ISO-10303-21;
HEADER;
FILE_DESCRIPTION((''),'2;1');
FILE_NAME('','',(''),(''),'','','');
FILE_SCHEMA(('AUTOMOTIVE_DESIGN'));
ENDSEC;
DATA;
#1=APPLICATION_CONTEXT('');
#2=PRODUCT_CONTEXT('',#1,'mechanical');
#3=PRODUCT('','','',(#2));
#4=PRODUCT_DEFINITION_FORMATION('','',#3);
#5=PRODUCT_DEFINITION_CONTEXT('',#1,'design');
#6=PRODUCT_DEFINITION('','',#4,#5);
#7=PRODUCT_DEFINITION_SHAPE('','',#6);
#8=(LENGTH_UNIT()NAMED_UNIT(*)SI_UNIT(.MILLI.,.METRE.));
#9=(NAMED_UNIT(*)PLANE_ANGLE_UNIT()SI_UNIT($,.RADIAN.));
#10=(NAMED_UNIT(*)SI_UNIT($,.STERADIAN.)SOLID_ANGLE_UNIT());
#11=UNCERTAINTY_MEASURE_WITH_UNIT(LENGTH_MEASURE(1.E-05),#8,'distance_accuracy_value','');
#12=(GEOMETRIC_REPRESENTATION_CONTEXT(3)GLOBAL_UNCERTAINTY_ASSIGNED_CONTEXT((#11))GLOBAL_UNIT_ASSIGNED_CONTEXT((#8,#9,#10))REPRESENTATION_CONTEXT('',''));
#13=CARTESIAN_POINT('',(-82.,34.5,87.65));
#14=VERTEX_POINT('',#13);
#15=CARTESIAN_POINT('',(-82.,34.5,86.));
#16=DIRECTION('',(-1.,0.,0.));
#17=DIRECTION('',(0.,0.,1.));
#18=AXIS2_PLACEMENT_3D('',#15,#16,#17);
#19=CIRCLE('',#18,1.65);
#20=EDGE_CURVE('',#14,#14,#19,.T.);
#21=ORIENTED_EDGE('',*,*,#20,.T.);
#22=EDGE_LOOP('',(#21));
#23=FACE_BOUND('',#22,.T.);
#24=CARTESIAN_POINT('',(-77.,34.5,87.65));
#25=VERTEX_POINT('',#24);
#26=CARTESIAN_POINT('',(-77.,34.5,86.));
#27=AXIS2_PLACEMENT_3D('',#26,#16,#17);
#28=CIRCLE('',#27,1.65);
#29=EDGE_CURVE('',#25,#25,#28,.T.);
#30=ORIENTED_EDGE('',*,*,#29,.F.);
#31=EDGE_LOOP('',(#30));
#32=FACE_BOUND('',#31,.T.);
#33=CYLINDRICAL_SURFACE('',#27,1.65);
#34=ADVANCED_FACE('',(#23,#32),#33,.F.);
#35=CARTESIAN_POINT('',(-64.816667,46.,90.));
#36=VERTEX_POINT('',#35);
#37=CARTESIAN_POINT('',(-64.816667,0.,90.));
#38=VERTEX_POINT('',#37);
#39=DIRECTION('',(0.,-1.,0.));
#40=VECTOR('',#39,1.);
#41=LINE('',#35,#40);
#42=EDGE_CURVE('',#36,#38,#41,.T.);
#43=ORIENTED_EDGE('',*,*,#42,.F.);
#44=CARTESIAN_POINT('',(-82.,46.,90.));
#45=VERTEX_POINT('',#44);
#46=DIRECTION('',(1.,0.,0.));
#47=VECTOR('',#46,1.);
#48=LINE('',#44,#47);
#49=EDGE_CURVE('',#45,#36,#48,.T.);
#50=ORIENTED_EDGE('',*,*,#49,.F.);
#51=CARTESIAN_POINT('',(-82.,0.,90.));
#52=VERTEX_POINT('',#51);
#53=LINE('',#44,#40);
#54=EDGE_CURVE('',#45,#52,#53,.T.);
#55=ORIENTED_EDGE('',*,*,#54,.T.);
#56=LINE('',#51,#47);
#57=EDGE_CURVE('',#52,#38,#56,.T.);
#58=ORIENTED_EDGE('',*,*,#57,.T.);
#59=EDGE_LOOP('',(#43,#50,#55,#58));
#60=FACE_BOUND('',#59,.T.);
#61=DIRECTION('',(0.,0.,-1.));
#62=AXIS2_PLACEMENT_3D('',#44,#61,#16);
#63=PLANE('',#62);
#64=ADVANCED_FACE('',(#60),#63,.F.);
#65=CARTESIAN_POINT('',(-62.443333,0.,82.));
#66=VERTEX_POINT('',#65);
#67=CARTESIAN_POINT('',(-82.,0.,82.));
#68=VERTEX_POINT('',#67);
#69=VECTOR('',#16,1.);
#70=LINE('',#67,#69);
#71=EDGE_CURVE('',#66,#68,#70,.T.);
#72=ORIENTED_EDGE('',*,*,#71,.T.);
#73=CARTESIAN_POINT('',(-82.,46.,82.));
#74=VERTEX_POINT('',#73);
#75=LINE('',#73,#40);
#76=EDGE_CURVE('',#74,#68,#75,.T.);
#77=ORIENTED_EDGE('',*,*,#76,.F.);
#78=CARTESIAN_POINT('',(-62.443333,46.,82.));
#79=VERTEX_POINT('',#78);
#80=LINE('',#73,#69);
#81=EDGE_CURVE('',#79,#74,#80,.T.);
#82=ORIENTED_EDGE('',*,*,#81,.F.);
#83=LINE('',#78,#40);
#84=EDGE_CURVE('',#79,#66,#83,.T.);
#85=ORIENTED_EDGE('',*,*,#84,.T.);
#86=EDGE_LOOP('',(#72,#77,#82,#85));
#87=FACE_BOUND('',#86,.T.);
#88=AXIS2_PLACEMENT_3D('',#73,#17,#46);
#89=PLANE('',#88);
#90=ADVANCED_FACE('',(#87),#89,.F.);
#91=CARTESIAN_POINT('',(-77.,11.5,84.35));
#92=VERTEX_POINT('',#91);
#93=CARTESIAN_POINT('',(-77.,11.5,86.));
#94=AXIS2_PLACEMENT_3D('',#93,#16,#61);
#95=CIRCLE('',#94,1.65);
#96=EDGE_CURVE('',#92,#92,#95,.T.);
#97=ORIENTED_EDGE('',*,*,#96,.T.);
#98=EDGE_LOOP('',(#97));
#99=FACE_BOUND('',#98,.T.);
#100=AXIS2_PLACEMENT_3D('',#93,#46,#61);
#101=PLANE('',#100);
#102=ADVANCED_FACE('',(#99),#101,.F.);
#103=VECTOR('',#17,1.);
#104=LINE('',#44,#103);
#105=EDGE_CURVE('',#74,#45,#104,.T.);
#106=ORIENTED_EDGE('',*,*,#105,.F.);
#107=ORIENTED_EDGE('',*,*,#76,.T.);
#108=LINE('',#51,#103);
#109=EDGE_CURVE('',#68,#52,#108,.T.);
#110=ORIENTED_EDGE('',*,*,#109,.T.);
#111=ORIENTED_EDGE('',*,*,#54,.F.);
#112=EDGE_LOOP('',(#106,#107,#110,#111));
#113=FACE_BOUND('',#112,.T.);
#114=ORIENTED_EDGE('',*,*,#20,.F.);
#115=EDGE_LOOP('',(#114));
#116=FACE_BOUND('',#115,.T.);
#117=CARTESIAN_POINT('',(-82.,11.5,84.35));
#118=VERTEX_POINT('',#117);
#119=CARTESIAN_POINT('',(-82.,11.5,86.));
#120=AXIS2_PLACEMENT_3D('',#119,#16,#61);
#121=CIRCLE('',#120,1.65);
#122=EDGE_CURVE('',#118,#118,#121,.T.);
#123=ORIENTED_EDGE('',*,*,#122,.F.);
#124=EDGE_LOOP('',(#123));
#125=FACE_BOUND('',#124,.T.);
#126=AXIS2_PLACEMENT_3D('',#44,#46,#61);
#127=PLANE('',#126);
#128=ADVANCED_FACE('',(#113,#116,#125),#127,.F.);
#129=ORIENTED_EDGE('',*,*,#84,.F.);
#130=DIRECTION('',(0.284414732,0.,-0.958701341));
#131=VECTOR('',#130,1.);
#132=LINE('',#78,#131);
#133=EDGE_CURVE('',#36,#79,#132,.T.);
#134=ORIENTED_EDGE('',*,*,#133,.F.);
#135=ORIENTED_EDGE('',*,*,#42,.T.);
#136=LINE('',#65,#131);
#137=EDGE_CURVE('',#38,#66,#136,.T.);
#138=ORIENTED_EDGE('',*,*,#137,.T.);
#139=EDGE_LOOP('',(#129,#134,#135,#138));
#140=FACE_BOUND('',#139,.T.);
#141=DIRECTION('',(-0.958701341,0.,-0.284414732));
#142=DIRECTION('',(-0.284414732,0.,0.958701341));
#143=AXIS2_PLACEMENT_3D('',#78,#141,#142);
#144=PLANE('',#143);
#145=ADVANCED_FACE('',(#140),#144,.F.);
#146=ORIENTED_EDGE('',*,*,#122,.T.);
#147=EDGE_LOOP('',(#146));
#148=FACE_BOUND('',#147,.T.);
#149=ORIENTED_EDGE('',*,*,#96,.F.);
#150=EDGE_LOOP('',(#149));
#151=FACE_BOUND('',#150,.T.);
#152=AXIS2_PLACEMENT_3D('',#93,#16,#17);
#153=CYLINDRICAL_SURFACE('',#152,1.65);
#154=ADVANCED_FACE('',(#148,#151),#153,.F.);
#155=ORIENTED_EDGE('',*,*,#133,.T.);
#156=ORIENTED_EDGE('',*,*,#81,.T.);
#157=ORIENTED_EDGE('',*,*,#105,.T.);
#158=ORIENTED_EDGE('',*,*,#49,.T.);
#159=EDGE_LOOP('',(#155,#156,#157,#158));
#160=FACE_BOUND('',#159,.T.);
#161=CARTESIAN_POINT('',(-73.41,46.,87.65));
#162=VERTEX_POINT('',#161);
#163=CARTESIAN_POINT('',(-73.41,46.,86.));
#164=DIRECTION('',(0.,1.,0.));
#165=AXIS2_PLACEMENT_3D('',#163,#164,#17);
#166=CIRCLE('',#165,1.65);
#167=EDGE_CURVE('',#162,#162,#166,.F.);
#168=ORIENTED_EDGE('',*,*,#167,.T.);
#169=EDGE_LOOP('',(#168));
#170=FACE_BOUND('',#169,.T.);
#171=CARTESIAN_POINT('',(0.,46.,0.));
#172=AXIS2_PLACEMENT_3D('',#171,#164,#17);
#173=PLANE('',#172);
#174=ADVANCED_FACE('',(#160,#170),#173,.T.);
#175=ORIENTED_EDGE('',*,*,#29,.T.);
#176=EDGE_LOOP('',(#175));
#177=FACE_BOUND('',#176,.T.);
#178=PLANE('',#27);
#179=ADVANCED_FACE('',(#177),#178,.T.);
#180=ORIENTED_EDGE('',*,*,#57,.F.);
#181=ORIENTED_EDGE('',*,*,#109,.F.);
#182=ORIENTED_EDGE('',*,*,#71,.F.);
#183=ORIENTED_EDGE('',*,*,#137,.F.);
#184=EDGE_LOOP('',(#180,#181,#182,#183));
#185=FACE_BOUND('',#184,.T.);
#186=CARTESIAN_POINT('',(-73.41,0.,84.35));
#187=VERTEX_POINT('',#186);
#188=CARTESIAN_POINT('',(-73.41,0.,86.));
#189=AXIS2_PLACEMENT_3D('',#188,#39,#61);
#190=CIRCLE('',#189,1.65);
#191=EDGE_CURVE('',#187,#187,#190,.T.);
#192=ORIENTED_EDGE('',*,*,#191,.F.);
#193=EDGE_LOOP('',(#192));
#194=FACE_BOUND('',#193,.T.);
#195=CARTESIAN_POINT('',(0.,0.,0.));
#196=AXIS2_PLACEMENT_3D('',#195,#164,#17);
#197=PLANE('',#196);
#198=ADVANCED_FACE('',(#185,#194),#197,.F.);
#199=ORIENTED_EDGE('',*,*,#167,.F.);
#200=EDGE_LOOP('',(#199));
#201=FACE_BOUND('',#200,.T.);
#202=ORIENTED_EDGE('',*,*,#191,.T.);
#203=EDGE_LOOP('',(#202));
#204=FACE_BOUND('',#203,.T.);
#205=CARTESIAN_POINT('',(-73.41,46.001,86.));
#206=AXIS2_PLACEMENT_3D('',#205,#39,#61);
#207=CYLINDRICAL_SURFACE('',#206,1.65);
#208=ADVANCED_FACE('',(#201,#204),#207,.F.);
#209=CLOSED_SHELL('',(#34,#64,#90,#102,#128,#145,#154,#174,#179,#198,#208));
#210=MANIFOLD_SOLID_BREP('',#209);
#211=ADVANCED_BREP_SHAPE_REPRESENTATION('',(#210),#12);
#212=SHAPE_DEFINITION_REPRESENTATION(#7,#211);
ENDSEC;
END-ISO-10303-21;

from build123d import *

# Parameters (mm, degrees)
BOSS_EXTRUDE1_DEPTH = 46
CUT_EXTRUDE1_REACH  = 48
SKETCH2_R           = 1.65
SKETCH3_R           = 1.65
CUT_EXTRUDE2_DEPTH  = 5


with BuildPart() as part:
    # Sketch1 → Boss-Extrude1 (new body)
    with BuildSketch(Plane(origin=(-73, 0, 0), x_dir=(0, 0, 1), z_dir=(0, 1, 0))):
        Polygon((82, 10.55666667), (90, 8.18333333), (90, -9), (82, -9), align=None)
    extrude(amount=BOSS_EXTRUDE1_DEPTH)

    # Sketch2 → Cut-Extrude1 (cut, up to next)
    with BuildSketch(Plane.XZ, mode=Mode.PRIVATE) as cut_extrude1_sk1:
        with Locations((-73.41, 86)):
            Circle(SKETCH2_R)
    cut_extrude1_tool1 = extrude(cut_extrude1_sk1.sketch, amount=-CUT_EXTRUDE1_REACH, mode=Mode.PRIVATE) & part.part
    add(cut_extrude1_tool1.solids().sort_by_distance((-73.41, 0, 86))[0], mode=Mode.SUBTRACT)

    # Sketch3 → Cut-Extrude2 (cut)
    with BuildSketch(Plane.ZY.offset(82)):
        with Locations((86, 34.5)):
            Circle(SKETCH3_R)
        with Locations((86, 11.5)):
            Circle(SKETCH3_R)
    extrude(amount=-CUT_EXTRUDE2_DEPTH, mode=Mode.SUBTRACT)


solid = part.part
